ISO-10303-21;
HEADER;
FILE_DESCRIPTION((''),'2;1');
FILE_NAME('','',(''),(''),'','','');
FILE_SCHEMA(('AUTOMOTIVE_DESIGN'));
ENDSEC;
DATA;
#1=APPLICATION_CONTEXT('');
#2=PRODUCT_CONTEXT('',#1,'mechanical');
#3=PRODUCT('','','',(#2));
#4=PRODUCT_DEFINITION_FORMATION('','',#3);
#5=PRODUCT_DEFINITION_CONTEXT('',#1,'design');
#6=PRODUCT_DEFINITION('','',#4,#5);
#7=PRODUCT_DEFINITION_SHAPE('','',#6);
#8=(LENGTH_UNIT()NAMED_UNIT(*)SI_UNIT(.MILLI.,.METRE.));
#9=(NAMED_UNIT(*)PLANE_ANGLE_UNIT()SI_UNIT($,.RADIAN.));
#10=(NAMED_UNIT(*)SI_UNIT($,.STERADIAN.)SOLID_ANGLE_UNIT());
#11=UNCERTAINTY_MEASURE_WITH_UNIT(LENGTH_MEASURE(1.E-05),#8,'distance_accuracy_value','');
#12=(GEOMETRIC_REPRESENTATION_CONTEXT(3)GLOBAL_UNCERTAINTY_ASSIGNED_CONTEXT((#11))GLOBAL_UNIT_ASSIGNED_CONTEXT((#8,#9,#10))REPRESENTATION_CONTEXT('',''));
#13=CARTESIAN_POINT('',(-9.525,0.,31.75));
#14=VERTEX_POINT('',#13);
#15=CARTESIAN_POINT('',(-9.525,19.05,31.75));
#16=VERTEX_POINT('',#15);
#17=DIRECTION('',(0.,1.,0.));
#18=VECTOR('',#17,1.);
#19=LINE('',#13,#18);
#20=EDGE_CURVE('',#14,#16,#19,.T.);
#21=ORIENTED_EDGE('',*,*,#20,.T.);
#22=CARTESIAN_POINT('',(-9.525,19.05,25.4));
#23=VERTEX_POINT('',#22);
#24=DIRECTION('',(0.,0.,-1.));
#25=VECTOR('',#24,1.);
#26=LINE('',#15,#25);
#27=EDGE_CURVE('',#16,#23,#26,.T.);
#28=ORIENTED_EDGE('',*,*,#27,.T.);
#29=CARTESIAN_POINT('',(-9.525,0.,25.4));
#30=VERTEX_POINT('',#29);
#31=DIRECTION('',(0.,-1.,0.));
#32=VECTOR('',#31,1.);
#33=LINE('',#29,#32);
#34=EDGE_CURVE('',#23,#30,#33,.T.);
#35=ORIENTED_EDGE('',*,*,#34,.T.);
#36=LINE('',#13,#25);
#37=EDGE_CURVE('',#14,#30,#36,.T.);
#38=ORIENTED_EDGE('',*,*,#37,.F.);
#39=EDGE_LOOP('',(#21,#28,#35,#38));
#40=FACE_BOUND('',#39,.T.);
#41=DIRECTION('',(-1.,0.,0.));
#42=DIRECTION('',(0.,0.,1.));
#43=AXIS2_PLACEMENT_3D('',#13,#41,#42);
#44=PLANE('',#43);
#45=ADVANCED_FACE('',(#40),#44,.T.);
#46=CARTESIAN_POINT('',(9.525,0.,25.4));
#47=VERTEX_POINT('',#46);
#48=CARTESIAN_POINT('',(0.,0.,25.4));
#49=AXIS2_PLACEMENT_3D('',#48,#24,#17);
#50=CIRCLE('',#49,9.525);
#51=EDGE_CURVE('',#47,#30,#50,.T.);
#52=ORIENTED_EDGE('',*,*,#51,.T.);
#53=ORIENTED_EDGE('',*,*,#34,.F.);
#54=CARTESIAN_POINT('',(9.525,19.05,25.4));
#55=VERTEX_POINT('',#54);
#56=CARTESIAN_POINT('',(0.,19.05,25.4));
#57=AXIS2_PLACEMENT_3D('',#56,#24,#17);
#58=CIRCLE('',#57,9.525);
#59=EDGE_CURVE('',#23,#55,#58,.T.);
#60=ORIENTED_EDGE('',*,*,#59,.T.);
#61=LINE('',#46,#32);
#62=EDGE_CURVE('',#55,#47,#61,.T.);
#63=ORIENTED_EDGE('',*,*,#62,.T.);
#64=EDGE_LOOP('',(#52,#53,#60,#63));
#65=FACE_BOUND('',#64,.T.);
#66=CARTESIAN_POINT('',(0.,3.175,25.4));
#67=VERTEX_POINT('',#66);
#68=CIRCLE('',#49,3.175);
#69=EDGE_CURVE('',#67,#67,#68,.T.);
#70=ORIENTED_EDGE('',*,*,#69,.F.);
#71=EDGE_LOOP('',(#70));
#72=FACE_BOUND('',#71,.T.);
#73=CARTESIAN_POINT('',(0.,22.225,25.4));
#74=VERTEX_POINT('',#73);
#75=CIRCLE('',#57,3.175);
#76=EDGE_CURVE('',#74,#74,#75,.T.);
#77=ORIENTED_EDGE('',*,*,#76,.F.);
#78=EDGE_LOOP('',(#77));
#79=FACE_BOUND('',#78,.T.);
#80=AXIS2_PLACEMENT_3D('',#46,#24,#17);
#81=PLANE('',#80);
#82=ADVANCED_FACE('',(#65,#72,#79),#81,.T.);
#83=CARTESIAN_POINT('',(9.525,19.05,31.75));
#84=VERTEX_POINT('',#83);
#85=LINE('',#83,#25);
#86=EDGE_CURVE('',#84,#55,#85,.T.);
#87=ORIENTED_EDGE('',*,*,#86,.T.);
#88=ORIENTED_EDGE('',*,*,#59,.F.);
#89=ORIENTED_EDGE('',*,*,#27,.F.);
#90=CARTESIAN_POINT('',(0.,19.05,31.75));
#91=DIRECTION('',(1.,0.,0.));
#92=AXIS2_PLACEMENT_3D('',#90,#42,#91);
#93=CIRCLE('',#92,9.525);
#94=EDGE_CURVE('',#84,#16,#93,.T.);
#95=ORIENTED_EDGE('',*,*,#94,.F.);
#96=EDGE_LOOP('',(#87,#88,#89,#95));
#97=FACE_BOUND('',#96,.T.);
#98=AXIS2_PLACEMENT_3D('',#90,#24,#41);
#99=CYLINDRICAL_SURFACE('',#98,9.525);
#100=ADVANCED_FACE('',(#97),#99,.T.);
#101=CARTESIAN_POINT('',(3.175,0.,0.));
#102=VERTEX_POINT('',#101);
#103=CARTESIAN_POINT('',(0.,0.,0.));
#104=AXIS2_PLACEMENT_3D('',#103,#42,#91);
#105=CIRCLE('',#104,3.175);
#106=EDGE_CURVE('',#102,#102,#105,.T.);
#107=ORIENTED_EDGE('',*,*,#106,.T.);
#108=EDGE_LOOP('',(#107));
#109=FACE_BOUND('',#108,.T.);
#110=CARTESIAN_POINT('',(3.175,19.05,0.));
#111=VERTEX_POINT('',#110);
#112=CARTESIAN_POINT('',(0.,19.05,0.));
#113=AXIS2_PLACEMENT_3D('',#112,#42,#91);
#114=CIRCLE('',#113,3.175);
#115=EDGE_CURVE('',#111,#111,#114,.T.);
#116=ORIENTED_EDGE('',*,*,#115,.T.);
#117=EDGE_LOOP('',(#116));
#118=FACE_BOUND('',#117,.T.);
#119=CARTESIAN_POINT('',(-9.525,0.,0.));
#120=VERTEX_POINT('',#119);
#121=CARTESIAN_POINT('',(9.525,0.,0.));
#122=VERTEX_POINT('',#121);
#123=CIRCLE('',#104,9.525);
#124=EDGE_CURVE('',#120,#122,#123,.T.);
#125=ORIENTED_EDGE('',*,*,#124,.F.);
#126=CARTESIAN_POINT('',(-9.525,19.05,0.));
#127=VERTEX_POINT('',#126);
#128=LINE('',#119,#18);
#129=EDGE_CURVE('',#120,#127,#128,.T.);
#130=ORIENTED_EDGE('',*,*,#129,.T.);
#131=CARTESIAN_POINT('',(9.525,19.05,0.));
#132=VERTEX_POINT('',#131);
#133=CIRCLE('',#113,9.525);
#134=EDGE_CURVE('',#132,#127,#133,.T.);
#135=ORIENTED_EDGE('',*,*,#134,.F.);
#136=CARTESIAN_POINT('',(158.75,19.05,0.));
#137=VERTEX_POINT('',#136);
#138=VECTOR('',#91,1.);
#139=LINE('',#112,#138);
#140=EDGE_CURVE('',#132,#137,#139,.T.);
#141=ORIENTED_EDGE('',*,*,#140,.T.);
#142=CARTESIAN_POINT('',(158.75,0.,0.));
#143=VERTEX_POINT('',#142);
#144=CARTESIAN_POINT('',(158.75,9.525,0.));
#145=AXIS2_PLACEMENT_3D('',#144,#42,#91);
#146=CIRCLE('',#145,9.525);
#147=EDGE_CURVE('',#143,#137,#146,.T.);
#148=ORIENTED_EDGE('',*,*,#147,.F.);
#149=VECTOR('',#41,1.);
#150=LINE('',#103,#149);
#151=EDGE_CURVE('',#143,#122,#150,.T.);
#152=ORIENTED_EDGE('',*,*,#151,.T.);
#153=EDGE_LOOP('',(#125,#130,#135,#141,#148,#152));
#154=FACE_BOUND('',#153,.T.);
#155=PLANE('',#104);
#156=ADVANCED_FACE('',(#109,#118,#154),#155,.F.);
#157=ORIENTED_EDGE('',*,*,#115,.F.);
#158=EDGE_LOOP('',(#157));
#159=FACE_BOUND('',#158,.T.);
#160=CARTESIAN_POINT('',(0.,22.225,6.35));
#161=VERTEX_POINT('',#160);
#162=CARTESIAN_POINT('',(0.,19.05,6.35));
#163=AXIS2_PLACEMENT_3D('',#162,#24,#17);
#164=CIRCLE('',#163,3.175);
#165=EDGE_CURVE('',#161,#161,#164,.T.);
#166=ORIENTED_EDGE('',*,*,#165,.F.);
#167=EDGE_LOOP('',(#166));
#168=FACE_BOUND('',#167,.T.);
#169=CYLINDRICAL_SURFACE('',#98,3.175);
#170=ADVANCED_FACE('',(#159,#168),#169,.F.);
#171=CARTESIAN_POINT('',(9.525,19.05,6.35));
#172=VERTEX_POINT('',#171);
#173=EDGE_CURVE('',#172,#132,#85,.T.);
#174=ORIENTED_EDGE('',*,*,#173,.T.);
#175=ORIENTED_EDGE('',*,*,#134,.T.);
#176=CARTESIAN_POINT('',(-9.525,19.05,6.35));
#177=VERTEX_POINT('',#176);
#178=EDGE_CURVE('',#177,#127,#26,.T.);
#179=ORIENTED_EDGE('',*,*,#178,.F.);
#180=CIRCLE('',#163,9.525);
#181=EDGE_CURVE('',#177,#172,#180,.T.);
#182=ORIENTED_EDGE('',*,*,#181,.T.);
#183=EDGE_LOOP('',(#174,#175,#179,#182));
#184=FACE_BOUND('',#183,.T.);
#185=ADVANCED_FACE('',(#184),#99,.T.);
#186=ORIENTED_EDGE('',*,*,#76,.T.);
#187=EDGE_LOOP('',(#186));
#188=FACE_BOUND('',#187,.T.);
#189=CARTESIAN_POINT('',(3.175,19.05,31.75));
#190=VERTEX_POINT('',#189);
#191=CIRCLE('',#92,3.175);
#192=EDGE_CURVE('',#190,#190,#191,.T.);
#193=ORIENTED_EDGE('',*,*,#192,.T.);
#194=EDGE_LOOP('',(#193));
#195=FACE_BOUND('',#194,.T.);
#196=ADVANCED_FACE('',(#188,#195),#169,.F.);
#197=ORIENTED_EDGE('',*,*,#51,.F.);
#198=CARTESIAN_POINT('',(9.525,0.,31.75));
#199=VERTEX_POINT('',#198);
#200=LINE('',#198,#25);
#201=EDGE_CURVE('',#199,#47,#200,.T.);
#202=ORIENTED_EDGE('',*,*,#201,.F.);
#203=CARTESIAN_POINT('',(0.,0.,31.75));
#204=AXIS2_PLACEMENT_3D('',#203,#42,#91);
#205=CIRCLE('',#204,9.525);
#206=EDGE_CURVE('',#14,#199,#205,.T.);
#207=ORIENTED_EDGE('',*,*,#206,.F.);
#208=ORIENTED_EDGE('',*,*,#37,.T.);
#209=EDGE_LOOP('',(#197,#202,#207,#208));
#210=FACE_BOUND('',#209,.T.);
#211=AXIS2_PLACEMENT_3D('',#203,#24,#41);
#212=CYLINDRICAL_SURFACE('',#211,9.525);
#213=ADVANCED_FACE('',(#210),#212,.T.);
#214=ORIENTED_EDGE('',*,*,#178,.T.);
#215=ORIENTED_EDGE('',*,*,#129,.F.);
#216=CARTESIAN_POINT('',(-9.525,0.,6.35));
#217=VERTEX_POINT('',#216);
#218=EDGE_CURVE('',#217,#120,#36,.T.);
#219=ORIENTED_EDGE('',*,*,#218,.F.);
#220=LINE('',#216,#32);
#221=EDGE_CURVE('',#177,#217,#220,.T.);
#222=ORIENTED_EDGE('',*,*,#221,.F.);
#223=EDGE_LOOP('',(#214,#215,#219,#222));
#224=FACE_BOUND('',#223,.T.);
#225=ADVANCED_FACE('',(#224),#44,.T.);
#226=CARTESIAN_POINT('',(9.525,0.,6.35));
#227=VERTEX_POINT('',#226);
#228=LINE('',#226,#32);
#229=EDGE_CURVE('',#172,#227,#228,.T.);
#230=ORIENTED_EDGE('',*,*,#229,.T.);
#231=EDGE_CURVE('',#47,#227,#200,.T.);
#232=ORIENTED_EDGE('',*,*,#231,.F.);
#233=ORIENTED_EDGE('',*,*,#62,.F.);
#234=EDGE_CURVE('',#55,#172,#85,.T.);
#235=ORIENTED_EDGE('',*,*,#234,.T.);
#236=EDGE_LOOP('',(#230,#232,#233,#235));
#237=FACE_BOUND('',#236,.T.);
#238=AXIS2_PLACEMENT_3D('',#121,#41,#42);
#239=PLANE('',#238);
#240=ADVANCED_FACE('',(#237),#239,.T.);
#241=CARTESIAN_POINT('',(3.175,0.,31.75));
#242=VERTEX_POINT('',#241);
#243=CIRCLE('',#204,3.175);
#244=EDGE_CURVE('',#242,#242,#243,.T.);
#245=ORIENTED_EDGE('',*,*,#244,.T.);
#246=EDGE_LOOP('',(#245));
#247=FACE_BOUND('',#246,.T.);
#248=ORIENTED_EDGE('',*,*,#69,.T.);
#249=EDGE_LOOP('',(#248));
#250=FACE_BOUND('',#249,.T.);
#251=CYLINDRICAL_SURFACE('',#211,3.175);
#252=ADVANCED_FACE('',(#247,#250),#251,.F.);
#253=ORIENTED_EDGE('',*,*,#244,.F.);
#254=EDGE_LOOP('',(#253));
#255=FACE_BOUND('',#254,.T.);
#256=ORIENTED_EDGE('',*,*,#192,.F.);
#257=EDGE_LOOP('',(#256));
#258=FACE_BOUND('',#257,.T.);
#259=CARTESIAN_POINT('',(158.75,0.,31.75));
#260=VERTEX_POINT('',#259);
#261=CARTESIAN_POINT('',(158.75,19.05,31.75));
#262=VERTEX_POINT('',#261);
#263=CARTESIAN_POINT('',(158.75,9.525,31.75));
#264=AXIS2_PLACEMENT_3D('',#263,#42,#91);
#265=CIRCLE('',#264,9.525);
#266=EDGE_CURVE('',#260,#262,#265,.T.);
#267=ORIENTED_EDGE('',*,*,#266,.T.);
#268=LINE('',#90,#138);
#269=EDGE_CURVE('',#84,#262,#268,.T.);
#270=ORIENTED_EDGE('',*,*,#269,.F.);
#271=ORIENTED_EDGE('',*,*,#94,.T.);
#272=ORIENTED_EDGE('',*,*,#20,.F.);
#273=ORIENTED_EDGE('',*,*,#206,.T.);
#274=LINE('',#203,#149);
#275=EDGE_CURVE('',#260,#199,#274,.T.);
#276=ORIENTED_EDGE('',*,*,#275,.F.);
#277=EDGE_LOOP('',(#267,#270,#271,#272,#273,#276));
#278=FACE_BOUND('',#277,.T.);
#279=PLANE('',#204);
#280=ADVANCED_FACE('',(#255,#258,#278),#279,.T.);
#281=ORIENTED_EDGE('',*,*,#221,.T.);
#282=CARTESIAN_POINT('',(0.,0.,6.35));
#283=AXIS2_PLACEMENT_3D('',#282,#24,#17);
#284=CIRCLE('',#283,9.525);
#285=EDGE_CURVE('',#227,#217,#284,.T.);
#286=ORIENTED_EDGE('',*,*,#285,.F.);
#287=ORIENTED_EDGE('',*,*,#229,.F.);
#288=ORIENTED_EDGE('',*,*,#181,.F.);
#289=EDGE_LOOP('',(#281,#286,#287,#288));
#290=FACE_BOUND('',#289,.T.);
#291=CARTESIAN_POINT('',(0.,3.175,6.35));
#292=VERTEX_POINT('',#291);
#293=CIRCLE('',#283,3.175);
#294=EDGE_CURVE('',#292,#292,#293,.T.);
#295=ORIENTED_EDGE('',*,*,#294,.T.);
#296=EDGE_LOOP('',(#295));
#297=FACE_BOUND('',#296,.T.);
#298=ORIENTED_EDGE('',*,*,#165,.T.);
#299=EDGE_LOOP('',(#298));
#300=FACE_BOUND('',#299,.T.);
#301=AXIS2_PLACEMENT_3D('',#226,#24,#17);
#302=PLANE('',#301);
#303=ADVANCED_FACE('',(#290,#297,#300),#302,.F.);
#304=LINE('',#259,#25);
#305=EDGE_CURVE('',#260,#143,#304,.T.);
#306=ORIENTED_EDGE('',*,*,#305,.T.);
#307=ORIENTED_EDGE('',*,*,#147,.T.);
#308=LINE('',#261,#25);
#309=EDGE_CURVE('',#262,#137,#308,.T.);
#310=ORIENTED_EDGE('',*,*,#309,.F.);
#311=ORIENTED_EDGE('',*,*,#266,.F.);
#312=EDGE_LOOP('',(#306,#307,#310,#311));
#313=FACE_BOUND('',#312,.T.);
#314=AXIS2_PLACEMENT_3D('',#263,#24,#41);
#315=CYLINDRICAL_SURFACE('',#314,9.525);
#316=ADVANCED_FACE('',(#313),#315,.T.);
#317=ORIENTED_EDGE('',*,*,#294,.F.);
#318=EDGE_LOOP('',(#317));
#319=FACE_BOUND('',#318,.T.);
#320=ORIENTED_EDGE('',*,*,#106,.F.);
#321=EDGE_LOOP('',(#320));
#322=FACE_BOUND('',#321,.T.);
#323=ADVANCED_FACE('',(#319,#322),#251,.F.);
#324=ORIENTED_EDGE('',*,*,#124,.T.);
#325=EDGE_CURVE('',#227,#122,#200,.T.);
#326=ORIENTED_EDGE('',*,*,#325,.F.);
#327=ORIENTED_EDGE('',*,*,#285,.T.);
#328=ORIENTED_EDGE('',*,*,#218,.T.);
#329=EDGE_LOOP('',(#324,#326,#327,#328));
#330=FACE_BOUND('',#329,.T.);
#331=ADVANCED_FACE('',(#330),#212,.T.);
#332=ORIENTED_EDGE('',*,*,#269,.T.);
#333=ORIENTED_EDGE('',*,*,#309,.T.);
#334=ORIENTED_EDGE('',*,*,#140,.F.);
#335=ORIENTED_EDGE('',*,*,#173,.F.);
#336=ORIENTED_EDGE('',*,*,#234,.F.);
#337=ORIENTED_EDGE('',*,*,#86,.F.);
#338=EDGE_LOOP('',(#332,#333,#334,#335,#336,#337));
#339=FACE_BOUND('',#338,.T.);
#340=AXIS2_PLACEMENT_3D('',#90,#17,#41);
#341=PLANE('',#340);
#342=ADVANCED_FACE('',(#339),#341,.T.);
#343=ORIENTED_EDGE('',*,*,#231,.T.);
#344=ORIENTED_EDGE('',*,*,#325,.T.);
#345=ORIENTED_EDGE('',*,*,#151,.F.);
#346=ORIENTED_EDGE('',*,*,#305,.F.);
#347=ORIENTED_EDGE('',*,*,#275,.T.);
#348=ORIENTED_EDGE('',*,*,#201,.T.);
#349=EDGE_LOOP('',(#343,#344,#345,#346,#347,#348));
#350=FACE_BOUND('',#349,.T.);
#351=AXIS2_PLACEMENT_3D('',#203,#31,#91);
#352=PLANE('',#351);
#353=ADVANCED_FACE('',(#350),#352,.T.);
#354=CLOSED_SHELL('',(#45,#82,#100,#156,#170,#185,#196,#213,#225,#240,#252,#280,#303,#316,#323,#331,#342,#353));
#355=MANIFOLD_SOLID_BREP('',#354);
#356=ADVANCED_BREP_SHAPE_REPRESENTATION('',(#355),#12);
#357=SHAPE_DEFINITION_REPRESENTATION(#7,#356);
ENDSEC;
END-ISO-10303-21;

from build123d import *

# Parameters (mm, degrees)
SKETCH1_R           = 3.175
BOSS_EXTRUDE1_DEPTH = 31.75
SKETCH6_W           = 19.05
SKETCH6_H           = 19.05
SKETCH6_H_2         = 9.525
CUT_EXTRUDE1_DEPTH  = 19.05


with BuildPart() as part:
    # Sketch1 → Boss-Extrude1 (new body)
    with BuildSketch(Plane.XY):
        with BuildLine():
            Line((-9.525, 0), (-9.525, 19.05))
            ThreePointArc((-9.525, 19.05), (0, 28.575), (9.525, 19.05))
            Line((9.525, 19.05), (158.75, 19.05))
            ThreePointArc((158.75, 19.05), (168.275, 9.525), (158.75, 0))
            Line((158.75, 0), (9.525, 0))
            ThreePointArc((9.525, 0), (0, -9.525), (-9.525, 0))
        make_face()
        with Locations((0, 19.05)):
            Circle(SKETCH1_R, mode=Mode.SUBTRACT)
        Circle(SKETCH1_R, mode=Mode.SUBTRACT)
    extrude(amount=BOSS_EXTRUDE1_DEPTH)

    # Sketch6 → Cut-Extrude1 (cut)
    with BuildSketch(Plane.ZY.offset(9.525)):
        with Locations((15.875, 9.525)):
            Rectangle(SKETCH6_W, SKETCH6_H)
        with Locations((15.875, 23.8125)):
            Rectangle(SKETCH6_W, SKETCH6_H_2)
        with Locations((15.875, -4.7625)):
            Rectangle(SKETCH6_W, SKETCH6_H_2)
    extrude(amount=-CUT_EXTRUDE1_DEPTH, mode=Mode.SUBTRACT)


solid = part.part
